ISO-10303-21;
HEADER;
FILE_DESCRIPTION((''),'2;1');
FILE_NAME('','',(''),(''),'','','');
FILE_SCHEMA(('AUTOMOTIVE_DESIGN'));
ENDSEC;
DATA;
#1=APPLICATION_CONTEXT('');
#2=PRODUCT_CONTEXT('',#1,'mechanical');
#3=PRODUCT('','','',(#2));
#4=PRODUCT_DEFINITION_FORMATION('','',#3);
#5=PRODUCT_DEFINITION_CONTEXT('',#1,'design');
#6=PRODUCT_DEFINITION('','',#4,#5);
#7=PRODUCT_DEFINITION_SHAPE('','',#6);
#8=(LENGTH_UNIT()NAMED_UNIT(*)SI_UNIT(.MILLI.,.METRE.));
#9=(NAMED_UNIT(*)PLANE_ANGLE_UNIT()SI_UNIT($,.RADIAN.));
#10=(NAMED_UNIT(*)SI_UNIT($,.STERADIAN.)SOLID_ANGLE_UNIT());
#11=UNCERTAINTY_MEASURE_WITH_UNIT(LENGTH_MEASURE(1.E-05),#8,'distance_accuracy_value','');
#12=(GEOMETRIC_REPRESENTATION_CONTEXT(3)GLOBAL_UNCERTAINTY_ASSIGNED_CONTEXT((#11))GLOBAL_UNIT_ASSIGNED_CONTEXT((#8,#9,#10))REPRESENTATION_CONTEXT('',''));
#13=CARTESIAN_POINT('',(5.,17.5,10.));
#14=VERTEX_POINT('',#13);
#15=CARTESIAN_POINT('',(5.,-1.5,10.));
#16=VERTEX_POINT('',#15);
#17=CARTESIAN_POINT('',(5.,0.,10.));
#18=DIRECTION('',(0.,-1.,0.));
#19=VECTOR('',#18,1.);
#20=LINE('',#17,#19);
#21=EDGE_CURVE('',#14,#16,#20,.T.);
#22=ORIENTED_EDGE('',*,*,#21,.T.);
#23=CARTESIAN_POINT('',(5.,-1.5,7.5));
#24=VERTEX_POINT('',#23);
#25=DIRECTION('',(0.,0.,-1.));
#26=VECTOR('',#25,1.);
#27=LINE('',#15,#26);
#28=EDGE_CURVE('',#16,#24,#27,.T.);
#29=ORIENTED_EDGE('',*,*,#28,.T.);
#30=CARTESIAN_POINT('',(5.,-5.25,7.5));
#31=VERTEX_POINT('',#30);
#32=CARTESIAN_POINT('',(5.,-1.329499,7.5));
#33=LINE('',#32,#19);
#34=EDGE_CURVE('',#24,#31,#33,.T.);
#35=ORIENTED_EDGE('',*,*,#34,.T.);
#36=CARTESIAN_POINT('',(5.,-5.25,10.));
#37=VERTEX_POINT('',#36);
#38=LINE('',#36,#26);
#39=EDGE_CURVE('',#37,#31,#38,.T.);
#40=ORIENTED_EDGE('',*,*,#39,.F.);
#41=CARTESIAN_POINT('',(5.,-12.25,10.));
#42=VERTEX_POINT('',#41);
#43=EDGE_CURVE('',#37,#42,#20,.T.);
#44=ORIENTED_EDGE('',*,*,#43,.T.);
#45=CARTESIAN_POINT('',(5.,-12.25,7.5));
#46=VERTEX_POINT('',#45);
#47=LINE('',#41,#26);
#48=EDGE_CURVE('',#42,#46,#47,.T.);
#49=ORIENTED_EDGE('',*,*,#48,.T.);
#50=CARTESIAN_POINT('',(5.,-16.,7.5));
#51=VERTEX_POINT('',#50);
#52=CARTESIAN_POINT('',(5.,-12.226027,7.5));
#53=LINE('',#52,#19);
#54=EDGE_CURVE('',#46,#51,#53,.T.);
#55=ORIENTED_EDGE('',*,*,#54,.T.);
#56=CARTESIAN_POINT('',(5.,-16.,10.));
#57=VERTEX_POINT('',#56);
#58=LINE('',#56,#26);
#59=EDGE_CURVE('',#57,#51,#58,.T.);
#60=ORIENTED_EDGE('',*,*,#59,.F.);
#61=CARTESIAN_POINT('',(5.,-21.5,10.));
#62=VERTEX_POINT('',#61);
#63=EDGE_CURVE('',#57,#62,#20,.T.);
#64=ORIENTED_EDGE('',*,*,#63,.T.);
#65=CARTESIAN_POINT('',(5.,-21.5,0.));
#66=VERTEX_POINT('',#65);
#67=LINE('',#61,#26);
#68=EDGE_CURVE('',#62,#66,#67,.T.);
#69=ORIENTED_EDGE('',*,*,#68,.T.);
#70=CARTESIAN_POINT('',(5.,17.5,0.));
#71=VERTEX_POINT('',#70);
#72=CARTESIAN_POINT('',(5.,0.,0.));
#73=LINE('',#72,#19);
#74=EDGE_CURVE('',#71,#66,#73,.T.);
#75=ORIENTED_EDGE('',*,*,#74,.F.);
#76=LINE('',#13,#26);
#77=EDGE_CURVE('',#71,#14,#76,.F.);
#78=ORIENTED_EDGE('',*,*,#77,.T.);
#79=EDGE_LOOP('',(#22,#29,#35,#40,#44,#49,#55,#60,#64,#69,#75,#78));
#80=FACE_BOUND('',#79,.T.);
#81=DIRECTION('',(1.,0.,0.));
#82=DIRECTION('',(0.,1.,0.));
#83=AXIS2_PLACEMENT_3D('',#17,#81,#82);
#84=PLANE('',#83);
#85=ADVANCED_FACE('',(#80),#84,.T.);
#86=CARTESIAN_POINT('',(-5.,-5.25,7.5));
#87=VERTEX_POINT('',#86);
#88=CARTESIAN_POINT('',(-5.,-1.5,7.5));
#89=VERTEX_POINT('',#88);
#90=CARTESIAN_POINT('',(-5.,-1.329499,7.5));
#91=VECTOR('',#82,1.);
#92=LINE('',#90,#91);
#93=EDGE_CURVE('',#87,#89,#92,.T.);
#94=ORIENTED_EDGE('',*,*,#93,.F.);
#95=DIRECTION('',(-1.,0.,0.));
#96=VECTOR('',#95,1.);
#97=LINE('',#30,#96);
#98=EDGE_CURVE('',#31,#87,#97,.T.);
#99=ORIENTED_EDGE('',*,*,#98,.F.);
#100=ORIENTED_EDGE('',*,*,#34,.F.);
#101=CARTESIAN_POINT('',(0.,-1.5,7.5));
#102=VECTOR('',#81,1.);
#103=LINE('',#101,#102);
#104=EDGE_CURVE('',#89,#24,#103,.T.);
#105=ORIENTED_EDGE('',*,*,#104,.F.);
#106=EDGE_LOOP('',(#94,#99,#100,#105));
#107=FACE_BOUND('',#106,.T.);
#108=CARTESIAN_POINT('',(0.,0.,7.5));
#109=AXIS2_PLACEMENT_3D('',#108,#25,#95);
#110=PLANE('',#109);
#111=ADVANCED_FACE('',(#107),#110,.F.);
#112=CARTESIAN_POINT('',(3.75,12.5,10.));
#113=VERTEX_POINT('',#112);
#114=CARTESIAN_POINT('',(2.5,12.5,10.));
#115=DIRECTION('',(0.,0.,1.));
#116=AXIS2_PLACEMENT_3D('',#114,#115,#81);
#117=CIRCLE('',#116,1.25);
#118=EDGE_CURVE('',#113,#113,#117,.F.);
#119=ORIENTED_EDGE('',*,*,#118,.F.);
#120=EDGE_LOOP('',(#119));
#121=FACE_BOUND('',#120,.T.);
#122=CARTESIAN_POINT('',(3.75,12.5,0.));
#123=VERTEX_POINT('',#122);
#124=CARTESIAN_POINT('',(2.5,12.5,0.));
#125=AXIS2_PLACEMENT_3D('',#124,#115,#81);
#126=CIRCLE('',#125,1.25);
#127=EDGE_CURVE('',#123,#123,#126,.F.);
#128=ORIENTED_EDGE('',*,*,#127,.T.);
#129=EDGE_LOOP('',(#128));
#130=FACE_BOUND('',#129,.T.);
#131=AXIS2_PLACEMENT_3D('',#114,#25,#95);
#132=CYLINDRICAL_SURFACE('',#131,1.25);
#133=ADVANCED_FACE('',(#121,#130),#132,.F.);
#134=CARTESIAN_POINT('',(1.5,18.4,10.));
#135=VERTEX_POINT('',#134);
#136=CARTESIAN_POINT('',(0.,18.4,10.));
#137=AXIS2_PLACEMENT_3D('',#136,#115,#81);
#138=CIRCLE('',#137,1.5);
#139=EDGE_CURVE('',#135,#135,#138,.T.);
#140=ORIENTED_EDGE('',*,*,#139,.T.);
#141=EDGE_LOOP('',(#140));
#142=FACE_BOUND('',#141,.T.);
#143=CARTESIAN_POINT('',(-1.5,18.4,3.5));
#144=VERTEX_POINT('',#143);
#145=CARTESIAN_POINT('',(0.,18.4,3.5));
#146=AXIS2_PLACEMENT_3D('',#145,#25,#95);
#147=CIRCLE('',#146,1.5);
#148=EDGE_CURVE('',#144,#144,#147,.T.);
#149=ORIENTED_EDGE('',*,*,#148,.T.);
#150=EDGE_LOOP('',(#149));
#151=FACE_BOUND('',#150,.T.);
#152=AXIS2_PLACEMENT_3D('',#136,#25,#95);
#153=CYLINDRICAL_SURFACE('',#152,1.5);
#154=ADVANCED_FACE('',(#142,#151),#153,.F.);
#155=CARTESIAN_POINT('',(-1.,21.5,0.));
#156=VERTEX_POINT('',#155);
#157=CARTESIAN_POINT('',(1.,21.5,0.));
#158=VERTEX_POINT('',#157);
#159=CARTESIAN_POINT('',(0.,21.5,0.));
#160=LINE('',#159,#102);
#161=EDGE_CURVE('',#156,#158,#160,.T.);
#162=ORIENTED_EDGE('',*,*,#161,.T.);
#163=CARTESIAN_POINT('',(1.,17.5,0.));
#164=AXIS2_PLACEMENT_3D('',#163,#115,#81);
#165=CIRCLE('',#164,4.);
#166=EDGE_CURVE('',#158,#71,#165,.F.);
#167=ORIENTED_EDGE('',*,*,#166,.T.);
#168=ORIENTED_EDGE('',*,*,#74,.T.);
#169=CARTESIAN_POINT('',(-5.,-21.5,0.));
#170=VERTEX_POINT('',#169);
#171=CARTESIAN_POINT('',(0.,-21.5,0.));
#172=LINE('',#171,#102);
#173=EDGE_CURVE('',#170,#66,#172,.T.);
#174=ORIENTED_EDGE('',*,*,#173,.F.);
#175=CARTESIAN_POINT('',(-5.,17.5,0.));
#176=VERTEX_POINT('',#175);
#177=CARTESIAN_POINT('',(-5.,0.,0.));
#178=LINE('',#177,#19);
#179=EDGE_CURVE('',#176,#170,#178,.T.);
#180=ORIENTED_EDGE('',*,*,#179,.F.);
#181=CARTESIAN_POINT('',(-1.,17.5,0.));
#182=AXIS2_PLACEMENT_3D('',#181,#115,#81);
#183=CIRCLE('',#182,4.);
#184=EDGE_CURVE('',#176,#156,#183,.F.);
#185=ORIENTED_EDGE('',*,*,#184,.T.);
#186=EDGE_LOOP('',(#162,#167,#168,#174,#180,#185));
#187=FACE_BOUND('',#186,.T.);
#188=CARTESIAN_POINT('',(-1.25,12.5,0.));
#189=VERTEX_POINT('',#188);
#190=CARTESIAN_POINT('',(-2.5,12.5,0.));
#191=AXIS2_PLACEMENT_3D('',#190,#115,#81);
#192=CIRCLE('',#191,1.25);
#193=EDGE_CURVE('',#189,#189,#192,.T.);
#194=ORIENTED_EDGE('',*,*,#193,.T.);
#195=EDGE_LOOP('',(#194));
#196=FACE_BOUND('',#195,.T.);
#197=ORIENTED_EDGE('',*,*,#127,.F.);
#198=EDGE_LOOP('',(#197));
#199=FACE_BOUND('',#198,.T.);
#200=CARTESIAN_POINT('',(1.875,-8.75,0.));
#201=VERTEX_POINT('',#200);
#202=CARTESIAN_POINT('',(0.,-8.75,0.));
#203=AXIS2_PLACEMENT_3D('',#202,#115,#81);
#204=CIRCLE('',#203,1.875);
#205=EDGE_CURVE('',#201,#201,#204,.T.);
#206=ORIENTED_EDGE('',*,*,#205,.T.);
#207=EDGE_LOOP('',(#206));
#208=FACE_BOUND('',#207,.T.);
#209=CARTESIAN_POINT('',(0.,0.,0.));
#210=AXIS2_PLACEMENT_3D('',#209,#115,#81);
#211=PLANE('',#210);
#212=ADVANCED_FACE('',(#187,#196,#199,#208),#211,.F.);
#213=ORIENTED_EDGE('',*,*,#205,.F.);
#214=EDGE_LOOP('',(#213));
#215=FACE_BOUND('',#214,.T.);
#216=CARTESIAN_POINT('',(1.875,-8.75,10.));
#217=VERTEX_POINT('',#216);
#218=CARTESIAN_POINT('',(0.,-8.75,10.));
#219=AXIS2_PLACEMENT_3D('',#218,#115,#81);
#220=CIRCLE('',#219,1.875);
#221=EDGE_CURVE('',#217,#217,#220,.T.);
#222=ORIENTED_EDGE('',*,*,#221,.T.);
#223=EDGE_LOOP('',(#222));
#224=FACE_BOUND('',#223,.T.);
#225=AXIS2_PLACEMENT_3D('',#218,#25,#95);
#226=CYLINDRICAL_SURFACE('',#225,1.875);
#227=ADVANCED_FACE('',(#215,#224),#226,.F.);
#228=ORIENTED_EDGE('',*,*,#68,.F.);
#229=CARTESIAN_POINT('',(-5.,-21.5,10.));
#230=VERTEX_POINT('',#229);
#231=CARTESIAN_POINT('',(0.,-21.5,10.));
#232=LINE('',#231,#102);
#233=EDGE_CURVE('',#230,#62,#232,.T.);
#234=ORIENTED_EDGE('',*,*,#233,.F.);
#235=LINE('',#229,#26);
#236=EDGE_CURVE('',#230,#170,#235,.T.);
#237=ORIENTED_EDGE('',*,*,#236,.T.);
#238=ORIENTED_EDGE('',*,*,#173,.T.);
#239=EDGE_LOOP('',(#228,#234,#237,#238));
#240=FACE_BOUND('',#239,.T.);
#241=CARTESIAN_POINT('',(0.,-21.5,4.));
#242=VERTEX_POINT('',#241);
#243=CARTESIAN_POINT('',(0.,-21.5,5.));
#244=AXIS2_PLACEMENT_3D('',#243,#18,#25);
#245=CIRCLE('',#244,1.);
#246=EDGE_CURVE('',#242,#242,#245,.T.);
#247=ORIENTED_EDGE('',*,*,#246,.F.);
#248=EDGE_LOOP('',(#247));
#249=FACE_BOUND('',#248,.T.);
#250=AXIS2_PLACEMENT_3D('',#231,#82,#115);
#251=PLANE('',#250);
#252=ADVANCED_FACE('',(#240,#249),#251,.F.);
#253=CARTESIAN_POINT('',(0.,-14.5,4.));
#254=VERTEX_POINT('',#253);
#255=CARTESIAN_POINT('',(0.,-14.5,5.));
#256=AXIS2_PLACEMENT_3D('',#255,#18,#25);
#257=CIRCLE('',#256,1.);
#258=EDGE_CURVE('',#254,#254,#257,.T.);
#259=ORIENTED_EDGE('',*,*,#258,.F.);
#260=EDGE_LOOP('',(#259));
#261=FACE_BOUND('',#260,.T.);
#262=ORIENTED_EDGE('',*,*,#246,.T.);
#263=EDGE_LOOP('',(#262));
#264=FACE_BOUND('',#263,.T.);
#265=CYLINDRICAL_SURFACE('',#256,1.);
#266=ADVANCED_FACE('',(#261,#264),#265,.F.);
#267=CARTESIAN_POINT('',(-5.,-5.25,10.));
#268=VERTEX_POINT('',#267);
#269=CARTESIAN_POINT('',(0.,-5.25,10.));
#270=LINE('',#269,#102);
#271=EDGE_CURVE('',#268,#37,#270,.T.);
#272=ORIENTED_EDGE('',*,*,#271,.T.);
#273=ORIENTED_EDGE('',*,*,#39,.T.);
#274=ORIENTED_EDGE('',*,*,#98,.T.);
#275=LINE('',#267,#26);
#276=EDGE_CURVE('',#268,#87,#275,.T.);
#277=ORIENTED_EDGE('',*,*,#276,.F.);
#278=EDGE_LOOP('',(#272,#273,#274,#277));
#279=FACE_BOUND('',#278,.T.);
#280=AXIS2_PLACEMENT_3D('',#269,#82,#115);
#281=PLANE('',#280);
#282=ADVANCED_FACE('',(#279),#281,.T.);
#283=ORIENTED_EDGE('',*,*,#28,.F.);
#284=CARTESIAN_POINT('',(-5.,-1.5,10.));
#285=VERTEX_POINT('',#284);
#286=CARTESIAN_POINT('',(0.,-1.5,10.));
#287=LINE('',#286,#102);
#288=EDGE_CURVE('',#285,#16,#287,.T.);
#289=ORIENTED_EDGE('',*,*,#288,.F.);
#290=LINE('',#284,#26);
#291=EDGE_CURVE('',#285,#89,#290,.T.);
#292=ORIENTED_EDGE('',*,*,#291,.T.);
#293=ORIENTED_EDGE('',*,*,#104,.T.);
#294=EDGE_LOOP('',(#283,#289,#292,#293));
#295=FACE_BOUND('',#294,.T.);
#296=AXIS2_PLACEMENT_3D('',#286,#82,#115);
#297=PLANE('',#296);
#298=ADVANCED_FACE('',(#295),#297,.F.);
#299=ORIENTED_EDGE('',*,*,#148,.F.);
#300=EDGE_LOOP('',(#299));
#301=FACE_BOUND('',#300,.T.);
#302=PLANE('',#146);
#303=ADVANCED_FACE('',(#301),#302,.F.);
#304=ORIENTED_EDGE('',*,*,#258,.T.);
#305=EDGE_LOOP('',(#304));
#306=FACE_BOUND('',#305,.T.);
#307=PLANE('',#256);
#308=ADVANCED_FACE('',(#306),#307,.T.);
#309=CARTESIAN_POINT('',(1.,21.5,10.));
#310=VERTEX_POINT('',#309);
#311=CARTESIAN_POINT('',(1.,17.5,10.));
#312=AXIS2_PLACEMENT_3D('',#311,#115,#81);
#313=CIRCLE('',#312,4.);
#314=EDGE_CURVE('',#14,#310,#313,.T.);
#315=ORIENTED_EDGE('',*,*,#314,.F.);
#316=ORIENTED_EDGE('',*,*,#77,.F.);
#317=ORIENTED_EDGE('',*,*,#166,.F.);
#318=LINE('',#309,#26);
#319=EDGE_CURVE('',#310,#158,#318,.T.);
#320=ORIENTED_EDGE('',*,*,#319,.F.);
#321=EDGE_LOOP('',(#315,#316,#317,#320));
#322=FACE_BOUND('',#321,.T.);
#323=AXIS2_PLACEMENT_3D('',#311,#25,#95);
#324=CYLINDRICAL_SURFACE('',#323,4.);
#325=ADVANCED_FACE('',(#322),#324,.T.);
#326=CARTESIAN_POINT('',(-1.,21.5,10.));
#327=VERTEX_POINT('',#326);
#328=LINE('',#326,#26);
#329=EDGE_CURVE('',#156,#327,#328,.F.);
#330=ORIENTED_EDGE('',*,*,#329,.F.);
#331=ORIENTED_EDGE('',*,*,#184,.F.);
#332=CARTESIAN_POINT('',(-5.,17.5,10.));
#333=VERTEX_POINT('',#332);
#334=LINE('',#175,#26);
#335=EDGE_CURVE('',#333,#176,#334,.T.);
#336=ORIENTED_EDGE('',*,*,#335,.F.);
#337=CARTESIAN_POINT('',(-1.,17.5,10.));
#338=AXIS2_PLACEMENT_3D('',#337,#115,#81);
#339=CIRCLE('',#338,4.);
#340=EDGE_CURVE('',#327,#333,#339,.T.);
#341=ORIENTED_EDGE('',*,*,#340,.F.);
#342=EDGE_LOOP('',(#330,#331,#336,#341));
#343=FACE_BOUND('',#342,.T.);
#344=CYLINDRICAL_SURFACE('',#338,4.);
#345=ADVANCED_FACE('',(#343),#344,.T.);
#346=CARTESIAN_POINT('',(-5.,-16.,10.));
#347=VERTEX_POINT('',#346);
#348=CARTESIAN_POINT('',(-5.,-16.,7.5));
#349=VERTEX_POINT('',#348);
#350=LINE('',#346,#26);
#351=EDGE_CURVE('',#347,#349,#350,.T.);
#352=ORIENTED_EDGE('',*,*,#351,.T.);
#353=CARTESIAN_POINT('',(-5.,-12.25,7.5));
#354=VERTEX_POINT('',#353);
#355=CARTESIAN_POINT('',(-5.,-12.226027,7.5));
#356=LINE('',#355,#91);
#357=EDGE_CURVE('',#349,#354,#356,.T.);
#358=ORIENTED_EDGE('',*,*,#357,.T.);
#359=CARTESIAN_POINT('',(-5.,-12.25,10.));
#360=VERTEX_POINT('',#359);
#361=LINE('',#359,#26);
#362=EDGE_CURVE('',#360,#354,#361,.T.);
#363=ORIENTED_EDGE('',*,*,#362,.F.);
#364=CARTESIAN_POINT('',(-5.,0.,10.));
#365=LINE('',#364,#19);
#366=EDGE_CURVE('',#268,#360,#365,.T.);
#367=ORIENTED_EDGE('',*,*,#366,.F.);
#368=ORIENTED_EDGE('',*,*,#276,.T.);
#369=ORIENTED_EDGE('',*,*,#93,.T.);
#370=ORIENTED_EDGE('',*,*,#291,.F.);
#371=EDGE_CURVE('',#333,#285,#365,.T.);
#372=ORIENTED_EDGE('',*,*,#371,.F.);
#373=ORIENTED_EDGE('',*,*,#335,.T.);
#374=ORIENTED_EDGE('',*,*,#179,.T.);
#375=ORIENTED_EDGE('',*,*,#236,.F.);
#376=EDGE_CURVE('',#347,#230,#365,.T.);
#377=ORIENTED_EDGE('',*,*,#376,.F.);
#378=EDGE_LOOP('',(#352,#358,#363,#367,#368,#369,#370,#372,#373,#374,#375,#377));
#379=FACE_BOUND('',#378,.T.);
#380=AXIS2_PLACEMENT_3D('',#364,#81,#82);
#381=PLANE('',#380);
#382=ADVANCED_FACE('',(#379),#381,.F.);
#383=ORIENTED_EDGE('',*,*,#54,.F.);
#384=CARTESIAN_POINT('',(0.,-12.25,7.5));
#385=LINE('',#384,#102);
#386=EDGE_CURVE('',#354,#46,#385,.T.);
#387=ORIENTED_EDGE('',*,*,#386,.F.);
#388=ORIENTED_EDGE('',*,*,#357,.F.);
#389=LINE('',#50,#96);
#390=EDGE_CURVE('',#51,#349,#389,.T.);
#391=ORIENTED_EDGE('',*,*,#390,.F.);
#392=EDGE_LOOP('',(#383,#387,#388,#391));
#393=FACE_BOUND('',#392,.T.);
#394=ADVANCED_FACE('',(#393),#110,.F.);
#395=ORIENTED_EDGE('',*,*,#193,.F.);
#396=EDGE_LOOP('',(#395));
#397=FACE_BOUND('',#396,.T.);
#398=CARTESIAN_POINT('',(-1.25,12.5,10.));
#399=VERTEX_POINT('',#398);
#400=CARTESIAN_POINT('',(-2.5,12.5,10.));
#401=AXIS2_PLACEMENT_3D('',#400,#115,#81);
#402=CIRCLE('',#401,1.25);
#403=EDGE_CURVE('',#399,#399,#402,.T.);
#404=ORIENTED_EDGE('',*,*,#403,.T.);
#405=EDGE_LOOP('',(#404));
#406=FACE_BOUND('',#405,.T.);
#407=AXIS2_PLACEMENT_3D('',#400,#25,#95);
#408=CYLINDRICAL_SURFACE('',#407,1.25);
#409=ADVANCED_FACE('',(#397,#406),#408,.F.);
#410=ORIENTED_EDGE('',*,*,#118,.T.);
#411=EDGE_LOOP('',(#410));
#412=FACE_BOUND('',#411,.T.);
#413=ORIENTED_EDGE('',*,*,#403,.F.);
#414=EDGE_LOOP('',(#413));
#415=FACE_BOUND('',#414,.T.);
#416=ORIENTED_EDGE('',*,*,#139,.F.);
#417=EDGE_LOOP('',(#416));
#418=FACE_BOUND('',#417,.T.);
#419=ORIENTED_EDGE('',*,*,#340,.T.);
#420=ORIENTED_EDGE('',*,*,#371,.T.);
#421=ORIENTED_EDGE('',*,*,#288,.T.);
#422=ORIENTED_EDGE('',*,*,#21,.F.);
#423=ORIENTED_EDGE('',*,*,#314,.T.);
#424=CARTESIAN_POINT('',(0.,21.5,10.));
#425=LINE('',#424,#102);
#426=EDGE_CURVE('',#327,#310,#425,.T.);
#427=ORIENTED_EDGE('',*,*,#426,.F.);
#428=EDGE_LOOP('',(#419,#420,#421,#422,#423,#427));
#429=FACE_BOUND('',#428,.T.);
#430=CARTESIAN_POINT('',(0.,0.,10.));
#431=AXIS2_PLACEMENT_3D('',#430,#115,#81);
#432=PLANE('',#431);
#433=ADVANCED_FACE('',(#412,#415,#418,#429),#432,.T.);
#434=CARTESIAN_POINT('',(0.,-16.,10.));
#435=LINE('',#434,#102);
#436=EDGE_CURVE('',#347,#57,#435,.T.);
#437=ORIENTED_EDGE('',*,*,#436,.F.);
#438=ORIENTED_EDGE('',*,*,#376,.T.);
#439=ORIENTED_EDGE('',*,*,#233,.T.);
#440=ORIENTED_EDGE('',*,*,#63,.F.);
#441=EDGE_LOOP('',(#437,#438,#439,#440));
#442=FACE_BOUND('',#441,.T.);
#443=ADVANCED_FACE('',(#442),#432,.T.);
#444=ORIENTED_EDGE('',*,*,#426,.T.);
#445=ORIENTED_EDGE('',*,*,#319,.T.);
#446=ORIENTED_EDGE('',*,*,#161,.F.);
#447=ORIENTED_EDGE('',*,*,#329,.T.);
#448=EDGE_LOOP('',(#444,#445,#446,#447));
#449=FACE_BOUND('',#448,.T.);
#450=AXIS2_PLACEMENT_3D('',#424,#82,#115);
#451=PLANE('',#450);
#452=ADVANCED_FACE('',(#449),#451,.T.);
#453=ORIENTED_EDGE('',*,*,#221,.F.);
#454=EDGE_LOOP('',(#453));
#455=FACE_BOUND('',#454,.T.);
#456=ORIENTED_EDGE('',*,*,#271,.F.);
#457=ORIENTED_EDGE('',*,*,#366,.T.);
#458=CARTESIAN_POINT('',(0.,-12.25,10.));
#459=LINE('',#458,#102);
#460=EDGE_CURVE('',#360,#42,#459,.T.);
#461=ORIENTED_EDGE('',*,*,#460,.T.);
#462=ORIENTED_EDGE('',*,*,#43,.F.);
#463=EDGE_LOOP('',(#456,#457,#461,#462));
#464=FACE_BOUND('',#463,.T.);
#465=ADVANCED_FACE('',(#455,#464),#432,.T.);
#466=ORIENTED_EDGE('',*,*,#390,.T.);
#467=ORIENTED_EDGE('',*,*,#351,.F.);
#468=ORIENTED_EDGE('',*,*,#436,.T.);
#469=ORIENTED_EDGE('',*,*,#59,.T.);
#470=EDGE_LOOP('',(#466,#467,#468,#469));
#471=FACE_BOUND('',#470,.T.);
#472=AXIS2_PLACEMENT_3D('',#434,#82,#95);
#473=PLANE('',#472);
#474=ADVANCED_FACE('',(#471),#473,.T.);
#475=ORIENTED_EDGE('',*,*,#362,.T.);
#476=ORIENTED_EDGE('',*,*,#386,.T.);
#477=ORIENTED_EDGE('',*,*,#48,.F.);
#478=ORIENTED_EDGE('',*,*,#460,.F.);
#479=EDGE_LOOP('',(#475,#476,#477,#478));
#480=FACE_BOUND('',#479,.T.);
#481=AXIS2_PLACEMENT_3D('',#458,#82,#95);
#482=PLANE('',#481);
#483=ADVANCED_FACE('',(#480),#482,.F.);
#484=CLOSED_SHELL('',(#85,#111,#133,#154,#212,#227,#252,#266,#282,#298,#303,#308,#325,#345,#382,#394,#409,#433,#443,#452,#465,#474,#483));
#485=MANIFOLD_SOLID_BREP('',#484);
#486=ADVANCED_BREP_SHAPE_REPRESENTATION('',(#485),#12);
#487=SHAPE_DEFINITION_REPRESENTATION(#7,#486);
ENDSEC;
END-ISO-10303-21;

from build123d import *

# Parameters (mm, degrees)
SKETCH1_W             = 10
SKETCH1_H             = 23
SKETCH1_R             = 1.25
SKETCH1_R_2           = 1.5
BOSS_EXTRUDE1_DEPTH   = 10
SKETCH1_H_2           = 7
SKETCH1_R_3           = 1.875
BOSS_EXTRUDE1_2_DEPTH = 10
SKETCH1_H_3           = 5.5
BOSS_EXTRUDE1_3_DEPTH = 10
FILLET1_R             = 4
SKETCH2_R             = 1.536328734
BOSS_EXTRUDE3_DEPTH   = 3.5
SKETCH3_W             = 10
SKETCH3_H             = 3.920500842
BOSS_EXTRUDE4_DEPTH   = 7.5
SKETCH4_W             = 10
SKETCH4_H             = 3.773973311
BOSS_EXTRUDE5_DEPTH   = 7.5
SKETCH5_R             = 1
CUT_EXTRUDE1_DEPTH    = 7


with BuildPart() as part:
    # Sketch1 → Boss-Extrude1 (new body)
    with BuildSketch(Plane.XY):
        with Locations((0, 10)):
            Rectangle(SKETCH1_W, SKETCH1_H)
        with Locations((-2.5, 12.5)):
            Circle(SKETCH1_R, mode=Mode.SUBTRACT)
        with Locations((0, 18.4)):
            Circle(SKETCH1_R_2, mode=Mode.SUBTRACT)
        with Locations((2.5, 12.5)):
            Circle(SKETCH1_R, mode=Mode.SUBTRACT)
    extrude(amount=BOSS_EXTRUDE1_DEPTH)

    # Fillet1
    fillet1_edges = [part.edges().sort_by_distance(p)[0] for p in [
        (-5, 21.5, 5),
        (5, 21.5, 5),
    ]]
    fillet(fillet1_edges, radius=FILLET1_R)

    # Sketch2 → Boss-Extrude3 (add)
    with BuildSketch(Plane(origin=(0, 0, 0), x_dir=(-1, 0, 0), z_dir=(0, 0, -1))):
        with Locations((0, 18.4)):
            Circle(SKETCH2_R)
    extrude(amount=-BOSS_EXTRUDE3_DEPTH)



with BuildPart() as body_2:
    # Sketch1 → Boss-Extrude1 2 (new body)
    with BuildSketch(Plane.XY):
        with Locations((0, -8.75)):
            Rectangle(SKETCH1_W, SKETCH1_H_2)
        with Locations((0, -8.75)):
            Circle(SKETCH1_R_3, mode=Mode.SUBTRACT)
    extrude(amount=BOSS_EXTRUDE1_2_DEPTH)


with BuildPart() as body_3:
    # Sketch1 → Boss-Extrude1 3 (new body)
    with BuildSketch(Plane.XY):
        with Locations((0, -18.75)):
            Rectangle(SKETCH1_W, SKETCH1_H_3)
    extrude(amount=BOSS_EXTRUDE1_3_DEPTH)


with BuildPart() as part_1:
    add(part.part)

    add(body_2.part)  # Boss-Extrude4 merges body 2
    # Sketch3 → Boss-Extrude4 (add)
    with BuildSketch(Plane(origin=(0, 0, 0), x_dir=(-1, 0, 0), z_dir=(0, 0, -1))):
        with Locations((0, -3.289749579)):
            Rectangle(SKETCH3_W, SKETCH3_H)
    extrude(amount=-BOSS_EXTRUDE4_DEPTH)


    add(body_3.part)  # Boss-Extrude5 merges body 3
    # Sketch4 → Boss-Extrude5 (add)
    with BuildSketch(Plane(origin=(0, 0, 0), x_dir=(-1, 0, 0), z_dir=(0, 0, -1))):
        with Locations((0, -14.113013345)):
            Rectangle(SKETCH4_W, SKETCH4_H)
    extrude(amount=-BOSS_EXTRUDE5_DEPTH)

    # Sketch5 → Cut-Extrude1 (cut)
    with BuildSketch(Plane.XZ.offset(21.5)):
        with Locations((0, 5)):
            Circle(SKETCH5_R)
    extrude(amount=-CUT_EXTRUDE1_DEPTH, mode=Mode.SUBTRACT)


solid = part_1.part
